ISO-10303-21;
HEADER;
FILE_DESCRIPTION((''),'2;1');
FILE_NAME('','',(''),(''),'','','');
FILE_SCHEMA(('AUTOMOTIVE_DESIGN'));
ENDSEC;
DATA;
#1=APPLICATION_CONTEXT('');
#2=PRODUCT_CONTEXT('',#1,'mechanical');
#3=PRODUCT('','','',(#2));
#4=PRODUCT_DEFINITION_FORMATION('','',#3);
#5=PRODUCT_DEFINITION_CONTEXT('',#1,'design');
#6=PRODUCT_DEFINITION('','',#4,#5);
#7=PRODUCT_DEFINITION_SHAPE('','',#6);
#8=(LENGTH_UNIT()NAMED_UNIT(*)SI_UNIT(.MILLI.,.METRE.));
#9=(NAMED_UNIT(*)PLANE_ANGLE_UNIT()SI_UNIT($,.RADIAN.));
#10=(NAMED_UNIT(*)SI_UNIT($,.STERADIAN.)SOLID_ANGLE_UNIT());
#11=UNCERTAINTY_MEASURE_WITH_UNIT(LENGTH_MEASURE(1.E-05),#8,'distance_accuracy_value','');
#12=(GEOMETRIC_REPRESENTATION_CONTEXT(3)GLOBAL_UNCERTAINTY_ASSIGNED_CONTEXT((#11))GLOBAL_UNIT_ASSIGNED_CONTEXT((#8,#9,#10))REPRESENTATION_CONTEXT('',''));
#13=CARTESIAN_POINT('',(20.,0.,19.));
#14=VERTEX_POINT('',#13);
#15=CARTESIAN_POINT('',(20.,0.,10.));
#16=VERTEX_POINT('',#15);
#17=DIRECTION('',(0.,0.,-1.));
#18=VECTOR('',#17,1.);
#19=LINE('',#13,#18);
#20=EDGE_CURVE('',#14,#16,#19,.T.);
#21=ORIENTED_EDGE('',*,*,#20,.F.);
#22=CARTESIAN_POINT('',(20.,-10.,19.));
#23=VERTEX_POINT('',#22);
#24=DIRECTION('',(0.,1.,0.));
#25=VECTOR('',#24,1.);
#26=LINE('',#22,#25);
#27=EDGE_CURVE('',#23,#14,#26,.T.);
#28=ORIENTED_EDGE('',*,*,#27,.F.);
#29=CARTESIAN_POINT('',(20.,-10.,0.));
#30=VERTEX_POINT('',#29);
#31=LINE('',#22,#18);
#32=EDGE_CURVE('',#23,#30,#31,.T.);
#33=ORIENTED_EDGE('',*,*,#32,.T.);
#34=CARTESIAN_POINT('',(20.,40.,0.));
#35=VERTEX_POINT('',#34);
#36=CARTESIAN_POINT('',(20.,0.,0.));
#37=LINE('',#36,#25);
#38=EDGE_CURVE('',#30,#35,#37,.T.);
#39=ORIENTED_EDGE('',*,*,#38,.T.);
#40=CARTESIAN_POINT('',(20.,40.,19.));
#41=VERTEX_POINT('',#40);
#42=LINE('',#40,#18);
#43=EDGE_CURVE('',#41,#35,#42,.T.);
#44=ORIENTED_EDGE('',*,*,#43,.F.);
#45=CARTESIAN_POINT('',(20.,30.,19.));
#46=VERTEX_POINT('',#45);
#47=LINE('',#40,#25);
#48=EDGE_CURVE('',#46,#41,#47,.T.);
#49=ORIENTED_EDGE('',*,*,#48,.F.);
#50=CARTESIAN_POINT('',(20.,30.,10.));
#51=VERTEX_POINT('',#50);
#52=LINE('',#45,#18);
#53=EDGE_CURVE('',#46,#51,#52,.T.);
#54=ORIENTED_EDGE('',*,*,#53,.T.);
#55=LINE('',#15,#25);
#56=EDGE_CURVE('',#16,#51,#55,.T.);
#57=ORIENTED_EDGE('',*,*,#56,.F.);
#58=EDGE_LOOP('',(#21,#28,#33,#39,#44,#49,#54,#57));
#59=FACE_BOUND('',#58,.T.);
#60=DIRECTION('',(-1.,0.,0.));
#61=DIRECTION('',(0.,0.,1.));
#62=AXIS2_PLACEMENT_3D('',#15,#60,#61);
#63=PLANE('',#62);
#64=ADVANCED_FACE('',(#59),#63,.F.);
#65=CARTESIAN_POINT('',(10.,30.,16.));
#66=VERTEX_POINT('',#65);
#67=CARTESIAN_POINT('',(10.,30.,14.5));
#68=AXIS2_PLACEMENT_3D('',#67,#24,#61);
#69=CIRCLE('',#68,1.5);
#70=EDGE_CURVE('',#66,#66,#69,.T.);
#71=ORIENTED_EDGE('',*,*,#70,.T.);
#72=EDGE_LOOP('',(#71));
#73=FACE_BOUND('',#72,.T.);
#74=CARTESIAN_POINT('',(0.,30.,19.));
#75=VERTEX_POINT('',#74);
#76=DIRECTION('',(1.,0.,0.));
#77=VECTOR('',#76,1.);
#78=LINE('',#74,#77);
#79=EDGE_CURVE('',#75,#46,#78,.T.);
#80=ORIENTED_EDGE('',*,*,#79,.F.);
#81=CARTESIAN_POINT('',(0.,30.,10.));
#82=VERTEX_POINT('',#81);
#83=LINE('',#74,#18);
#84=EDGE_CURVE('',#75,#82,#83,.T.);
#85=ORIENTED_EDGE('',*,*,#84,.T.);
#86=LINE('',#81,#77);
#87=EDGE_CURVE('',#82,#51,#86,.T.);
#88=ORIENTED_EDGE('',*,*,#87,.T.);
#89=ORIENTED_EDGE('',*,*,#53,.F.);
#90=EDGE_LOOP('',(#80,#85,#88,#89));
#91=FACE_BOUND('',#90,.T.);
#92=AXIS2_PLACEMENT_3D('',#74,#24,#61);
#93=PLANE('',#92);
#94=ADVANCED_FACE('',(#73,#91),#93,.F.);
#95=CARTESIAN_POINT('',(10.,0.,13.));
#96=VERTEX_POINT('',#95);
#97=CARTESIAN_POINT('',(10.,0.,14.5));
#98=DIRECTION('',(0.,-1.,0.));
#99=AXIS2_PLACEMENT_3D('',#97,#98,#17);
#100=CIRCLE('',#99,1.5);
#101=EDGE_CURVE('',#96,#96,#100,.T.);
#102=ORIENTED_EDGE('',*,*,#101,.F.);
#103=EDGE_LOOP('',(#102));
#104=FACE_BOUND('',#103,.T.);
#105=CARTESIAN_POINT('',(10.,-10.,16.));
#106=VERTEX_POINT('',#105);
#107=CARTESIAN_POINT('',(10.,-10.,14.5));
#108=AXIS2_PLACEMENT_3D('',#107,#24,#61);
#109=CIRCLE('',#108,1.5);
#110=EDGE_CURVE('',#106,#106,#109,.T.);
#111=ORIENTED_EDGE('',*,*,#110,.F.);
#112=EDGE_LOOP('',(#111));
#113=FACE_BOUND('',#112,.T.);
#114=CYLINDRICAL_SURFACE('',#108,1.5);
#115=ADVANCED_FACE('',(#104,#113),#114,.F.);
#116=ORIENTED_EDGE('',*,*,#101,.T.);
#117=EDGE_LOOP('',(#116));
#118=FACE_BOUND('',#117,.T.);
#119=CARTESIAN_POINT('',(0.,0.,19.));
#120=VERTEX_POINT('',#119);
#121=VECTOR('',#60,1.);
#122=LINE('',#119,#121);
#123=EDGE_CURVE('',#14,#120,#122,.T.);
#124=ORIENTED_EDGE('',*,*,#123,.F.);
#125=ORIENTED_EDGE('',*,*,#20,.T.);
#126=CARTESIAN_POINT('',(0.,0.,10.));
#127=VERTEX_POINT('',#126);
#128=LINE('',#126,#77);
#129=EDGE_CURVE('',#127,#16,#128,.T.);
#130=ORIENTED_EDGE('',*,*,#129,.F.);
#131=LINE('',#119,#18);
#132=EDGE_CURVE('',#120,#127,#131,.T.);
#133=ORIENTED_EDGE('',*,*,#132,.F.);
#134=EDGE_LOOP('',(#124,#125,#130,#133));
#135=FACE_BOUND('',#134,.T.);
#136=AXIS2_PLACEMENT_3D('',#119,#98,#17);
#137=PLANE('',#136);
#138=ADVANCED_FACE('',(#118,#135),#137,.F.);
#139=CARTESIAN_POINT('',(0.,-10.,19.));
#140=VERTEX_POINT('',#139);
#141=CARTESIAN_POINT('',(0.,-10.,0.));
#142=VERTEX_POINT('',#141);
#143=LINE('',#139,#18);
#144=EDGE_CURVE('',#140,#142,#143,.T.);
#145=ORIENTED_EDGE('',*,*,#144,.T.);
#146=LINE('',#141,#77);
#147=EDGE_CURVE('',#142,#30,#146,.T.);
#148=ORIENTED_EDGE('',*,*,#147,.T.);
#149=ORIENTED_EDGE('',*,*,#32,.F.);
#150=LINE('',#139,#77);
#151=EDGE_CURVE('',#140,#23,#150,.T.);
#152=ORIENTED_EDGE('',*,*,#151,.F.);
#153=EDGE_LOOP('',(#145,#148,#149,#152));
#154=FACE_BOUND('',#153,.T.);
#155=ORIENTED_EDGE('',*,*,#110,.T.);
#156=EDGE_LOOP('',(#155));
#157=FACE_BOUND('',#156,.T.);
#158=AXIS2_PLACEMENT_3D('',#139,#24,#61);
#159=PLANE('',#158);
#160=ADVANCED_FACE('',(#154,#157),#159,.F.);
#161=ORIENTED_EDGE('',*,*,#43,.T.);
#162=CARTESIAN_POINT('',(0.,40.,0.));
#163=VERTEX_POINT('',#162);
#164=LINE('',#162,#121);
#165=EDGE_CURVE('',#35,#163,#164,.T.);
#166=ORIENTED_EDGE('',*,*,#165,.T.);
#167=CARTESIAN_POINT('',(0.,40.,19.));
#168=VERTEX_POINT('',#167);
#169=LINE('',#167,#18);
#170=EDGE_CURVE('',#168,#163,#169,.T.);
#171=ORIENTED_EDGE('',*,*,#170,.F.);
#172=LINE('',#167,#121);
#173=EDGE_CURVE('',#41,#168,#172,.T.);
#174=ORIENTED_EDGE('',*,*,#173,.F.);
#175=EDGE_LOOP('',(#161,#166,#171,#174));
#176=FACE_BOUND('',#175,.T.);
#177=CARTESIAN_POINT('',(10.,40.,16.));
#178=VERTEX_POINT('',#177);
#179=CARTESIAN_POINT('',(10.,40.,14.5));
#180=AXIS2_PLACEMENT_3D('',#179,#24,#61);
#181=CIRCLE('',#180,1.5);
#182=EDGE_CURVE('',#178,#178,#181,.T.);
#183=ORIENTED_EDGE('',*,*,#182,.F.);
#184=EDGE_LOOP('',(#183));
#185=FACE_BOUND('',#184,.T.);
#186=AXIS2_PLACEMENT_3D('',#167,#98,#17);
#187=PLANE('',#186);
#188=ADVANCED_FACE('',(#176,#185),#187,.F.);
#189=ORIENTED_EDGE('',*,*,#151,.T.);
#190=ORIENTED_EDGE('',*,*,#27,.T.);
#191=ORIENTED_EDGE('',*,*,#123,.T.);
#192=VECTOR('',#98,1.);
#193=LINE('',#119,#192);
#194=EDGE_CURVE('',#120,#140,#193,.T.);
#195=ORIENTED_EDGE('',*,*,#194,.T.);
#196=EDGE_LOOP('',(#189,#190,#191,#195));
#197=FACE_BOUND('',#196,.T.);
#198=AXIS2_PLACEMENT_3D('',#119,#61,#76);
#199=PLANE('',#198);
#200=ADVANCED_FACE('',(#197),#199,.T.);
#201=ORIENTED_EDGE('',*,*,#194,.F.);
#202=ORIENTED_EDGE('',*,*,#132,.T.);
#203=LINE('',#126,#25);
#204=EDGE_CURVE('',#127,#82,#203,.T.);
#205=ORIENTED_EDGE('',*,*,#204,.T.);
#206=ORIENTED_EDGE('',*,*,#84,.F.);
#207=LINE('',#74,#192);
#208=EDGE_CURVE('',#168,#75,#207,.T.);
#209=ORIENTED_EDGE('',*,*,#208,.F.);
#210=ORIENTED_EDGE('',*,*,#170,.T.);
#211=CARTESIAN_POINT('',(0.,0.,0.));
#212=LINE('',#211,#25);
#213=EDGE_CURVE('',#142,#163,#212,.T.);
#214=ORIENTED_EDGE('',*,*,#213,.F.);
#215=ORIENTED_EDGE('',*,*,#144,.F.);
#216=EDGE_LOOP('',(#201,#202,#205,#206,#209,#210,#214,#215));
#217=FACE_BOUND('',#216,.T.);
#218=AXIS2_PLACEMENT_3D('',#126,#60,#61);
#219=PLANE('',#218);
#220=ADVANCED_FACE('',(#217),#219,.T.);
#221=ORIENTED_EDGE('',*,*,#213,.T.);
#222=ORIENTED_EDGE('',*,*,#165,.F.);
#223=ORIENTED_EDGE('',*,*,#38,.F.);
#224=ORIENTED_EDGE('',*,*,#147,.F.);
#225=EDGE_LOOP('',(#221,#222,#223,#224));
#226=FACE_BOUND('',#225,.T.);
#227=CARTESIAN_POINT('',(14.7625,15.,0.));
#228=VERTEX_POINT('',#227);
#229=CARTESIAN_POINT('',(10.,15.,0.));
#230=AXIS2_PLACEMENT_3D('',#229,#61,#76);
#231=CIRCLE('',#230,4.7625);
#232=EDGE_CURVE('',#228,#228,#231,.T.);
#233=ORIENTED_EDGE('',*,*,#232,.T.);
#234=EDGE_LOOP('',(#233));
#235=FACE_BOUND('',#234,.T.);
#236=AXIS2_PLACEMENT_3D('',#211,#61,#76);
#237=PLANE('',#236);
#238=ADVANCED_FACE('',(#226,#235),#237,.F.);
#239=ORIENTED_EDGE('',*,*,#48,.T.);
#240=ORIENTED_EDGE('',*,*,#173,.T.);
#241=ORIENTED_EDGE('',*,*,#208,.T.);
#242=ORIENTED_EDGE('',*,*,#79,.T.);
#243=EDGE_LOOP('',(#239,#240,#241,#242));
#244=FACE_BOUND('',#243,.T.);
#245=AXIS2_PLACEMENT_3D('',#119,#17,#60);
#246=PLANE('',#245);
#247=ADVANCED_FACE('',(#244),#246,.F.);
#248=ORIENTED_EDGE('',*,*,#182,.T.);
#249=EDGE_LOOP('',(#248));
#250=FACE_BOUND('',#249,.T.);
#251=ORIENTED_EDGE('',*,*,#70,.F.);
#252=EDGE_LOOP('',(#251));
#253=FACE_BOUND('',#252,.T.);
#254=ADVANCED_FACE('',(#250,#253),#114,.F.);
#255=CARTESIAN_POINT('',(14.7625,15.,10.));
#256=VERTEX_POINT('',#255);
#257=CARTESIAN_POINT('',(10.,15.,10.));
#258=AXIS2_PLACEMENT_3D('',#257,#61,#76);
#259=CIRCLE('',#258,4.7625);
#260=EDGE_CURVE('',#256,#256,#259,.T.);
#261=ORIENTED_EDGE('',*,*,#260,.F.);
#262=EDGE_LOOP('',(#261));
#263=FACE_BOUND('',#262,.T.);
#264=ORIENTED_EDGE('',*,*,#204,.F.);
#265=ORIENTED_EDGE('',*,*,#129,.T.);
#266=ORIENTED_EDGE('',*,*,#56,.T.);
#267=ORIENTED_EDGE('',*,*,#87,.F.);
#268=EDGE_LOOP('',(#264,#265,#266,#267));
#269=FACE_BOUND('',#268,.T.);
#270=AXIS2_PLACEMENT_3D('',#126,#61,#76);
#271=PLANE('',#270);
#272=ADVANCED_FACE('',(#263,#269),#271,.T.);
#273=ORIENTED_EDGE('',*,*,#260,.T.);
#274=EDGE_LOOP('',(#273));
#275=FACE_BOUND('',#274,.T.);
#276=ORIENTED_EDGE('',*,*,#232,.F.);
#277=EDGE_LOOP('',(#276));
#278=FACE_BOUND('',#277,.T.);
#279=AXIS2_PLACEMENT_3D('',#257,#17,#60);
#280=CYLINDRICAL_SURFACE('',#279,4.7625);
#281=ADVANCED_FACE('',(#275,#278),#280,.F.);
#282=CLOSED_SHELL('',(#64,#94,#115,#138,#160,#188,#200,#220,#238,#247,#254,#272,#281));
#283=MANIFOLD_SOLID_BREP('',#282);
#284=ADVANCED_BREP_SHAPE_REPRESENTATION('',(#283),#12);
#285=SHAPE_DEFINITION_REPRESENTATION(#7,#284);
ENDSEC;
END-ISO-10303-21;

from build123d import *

# Parameters (mm, degrees)
SKETCH1_W           = 20
SKETCH1_H           = 30
SKETCH1_R           = 4.7625
BOSS_EXTRUDE1_DEPTH = 10
SKETCH2_W           = 20
SKETCH2_H           = 10
BOSS_EXTRUDE2_DEPTH = 19
SKETCH3_R           = 1.5
CUT_EXTRUDE1_DEPTH  = 51


with BuildPart() as part:
    # Sketch1 → Boss-Extrude1 (new body)
    with BuildSketch(Plane.XY):
        with Locations((10, 15)):
            Rectangle(SKETCH1_W, SKETCH1_H)
        with Locations((10, 15)):
            Circle(SKETCH1_R, mode=Mode.SUBTRACT)
    extrude(amount=BOSS_EXTRUDE1_DEPTH)

    # Sketch2 → Boss-Extrude2 (add)
    with BuildSketch(Plane.XY):
        with Locations((10, -5)):
            Rectangle(SKETCH2_W, SKETCH2_H)
        with Locations((10, 35)):
            Rectangle(SKETCH2_W, SKETCH2_H)
    extrude(amount=BOSS_EXTRUDE2_DEPTH)

    # Sketch3 → Cut-Extrude1 (cut, through all)
    with BuildSketch(Plane(origin=(0, 40, 0), x_dir=(1, 0, 0), z_dir=(0, 1, 0))):
        with Locations((10, -14.5)):
            Circle(SKETCH3_R)
    extrude(amount=-CUT_EXTRUDE1_DEPTH, mode=Mode.SUBTRACT)


solid = part.part
